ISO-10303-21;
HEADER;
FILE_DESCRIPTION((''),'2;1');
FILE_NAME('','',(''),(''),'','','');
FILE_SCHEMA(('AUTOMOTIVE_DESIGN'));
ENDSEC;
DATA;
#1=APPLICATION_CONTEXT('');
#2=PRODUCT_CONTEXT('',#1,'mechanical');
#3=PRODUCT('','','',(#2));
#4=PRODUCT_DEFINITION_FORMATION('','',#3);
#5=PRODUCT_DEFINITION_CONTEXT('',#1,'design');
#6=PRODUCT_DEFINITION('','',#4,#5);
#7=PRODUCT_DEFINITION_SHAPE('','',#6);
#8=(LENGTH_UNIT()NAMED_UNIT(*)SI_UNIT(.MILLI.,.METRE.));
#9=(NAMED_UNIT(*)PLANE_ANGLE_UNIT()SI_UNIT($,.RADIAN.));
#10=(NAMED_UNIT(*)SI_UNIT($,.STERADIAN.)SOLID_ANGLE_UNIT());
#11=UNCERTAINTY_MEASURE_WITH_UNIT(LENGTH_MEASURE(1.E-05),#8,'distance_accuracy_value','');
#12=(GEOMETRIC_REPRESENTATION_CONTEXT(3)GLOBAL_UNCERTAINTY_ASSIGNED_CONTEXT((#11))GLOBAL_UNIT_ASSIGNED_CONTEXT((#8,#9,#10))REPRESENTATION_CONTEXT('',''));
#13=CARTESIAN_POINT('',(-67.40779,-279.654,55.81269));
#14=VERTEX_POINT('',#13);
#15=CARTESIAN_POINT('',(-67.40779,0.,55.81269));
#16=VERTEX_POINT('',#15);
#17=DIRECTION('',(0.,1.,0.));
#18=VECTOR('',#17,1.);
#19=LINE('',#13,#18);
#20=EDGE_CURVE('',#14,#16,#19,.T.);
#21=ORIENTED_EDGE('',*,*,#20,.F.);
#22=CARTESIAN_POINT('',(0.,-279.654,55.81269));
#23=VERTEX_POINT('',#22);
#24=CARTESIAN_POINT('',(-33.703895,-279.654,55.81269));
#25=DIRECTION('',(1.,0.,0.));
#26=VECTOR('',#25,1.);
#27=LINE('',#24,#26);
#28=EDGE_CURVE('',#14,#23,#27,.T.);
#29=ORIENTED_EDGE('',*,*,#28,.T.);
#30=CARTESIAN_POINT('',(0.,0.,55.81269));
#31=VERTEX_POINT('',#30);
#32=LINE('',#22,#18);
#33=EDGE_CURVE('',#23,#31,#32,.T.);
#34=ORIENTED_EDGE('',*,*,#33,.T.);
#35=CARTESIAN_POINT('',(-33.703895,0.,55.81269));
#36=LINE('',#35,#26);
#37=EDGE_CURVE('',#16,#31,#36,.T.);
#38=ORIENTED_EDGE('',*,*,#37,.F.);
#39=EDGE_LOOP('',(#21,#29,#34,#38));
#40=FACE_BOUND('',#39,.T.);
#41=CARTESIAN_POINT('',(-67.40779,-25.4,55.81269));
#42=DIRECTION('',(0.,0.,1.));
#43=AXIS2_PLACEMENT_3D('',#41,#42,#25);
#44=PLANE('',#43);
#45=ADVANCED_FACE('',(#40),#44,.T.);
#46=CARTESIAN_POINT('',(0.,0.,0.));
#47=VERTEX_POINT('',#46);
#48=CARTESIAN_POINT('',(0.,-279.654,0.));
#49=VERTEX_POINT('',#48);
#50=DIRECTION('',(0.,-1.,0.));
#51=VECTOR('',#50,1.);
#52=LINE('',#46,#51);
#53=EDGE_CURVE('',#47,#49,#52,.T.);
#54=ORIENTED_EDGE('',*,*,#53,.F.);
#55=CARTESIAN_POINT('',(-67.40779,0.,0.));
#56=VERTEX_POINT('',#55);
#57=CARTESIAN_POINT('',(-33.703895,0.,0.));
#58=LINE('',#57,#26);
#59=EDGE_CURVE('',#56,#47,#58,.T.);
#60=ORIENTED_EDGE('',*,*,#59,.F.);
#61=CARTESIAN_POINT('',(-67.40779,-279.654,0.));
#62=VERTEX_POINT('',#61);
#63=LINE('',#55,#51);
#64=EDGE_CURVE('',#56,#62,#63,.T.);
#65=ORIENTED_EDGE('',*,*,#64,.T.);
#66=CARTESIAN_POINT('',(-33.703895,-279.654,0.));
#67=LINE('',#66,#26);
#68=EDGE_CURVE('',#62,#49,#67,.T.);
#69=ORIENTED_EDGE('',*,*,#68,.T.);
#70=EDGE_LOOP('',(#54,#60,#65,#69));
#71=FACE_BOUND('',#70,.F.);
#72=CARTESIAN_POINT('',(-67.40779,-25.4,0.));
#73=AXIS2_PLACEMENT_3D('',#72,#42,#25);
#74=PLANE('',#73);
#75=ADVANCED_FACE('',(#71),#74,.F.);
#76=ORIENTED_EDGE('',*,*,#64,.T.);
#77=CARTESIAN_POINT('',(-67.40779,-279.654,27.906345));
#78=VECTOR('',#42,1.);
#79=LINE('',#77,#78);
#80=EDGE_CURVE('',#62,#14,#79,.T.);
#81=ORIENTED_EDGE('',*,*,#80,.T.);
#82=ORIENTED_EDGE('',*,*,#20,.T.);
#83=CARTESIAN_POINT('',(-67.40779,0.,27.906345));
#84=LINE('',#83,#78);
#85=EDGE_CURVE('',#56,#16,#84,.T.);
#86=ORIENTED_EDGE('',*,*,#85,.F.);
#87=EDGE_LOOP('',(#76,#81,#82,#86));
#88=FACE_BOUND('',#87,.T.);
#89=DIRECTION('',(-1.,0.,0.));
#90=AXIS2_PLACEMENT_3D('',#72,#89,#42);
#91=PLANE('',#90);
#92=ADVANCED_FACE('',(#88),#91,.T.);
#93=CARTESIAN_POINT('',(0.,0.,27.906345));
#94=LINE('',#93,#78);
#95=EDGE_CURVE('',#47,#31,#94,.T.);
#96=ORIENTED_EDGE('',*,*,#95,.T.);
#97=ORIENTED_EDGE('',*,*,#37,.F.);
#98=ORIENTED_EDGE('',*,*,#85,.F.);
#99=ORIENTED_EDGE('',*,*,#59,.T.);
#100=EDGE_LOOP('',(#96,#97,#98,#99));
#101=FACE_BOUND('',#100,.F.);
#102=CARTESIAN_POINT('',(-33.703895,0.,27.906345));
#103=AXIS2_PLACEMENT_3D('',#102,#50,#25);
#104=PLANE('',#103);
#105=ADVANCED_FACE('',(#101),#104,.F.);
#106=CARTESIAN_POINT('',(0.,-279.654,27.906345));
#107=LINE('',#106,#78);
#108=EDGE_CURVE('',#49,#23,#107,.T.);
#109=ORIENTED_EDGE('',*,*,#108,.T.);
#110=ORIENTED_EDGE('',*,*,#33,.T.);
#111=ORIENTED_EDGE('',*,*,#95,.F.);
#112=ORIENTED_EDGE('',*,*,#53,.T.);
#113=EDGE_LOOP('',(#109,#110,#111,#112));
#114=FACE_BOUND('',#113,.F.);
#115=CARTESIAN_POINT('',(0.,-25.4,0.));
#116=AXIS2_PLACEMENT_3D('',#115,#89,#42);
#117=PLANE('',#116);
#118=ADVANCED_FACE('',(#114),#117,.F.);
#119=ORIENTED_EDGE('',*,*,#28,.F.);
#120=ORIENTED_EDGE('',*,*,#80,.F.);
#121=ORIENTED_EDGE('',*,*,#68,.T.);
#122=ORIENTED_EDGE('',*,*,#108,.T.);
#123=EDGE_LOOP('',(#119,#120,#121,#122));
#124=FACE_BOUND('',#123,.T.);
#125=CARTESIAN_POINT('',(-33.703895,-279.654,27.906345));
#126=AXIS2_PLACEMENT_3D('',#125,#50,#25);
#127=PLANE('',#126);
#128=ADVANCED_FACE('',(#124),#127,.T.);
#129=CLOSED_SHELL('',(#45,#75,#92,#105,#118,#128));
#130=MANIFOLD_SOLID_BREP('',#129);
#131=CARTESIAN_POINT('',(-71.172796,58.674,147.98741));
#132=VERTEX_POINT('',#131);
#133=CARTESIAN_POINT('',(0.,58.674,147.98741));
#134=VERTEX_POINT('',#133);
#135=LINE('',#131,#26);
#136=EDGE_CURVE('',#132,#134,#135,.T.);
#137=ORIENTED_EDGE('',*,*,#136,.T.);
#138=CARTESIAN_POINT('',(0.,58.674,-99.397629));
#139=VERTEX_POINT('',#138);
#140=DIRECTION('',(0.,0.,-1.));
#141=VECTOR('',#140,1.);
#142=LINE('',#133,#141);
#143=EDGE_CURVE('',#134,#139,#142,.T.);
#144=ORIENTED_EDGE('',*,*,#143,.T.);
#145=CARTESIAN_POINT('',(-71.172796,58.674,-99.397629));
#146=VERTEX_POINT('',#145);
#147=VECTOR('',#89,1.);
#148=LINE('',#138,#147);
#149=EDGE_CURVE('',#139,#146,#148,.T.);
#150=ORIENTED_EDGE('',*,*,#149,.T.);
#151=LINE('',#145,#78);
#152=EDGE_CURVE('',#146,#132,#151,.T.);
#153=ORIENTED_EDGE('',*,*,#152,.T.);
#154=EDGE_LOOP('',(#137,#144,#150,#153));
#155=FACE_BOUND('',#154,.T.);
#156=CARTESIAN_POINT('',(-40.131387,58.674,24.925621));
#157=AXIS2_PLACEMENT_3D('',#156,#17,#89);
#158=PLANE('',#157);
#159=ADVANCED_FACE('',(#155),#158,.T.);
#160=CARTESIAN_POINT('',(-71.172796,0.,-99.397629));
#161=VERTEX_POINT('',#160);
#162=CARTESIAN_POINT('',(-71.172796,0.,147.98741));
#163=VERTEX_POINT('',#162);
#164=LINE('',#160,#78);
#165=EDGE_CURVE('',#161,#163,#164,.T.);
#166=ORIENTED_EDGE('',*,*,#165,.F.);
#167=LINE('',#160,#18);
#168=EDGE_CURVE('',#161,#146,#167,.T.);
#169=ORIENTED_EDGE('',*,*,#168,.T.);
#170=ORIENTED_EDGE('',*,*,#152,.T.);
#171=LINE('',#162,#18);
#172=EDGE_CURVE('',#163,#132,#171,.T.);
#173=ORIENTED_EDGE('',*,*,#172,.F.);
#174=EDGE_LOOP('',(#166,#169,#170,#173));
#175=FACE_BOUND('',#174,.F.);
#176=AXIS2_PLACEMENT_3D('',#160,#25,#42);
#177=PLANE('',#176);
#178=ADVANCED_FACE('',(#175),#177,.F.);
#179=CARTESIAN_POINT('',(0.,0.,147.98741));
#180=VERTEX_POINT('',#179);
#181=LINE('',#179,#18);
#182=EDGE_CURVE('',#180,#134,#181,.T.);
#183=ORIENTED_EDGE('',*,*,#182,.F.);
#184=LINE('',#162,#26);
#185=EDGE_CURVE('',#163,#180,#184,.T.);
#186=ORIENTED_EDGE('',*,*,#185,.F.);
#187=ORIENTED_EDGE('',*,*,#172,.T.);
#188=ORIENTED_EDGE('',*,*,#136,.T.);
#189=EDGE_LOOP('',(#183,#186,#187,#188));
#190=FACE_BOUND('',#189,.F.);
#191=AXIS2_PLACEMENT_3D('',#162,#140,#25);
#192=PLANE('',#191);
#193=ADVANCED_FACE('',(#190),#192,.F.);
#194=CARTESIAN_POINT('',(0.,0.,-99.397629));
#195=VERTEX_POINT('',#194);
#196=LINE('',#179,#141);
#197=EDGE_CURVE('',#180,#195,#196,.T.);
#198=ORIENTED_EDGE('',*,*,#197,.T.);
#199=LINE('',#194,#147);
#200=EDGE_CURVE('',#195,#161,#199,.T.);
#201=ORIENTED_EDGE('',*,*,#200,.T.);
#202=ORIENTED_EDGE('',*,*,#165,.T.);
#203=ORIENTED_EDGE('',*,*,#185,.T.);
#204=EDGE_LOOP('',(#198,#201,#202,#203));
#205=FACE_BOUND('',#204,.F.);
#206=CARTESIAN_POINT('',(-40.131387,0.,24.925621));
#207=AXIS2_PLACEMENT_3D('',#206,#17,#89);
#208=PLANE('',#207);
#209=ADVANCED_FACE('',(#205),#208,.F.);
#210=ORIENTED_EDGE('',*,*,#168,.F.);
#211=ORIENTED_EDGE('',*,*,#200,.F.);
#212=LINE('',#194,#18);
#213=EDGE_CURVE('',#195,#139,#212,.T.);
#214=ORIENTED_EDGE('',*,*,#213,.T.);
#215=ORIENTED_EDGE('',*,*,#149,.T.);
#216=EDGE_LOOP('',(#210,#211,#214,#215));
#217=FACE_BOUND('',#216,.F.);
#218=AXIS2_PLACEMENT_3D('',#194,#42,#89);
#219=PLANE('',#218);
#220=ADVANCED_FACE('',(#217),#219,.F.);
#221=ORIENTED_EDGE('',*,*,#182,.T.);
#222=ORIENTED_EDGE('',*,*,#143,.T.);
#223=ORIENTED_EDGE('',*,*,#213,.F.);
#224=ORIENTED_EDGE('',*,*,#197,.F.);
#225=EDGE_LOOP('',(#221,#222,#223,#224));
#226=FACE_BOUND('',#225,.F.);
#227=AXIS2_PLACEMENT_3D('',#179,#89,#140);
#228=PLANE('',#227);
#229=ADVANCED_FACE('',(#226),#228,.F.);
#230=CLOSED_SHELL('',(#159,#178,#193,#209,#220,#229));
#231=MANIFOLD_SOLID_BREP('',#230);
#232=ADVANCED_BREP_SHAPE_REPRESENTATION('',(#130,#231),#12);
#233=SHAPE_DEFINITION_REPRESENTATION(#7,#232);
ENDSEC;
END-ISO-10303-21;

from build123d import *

# Parameters (mm, degrees)
F0_W      = 67.40779
F0_H      = 55.81269
F1_DEPTH  = 25.4
F1_FACE_W = 67.40779
F1_FACE_H = 55.81269
F2_DEPTH  = 254.254
F3_W      = 67.40779
F3_H      = 55.81269
F4_DEPTH  = 58.674


with BuildPart() as f1:
    # F0 (on Front) → F1 (new body)
    with BuildSketch(Plane.XZ):
        with Locations((-33.703895, 27.906345)):
            Rectangle(F0_W, F0_H)
    extrude(amount=F1_DEPTH)

    # F1_face (on face) → F2 (join)
    with BuildSketch(Plane(origin=(-33.703895, -25.4, 27.906345), x_dir=(1, 0, 0), z_dir=(0, -1, 0))):
        Rectangle(F1_FACE_W, F1_FACE_H)
    extrude(amount=F2_DEPTH)


with BuildPart() as f4:
    # F3 (on face) → F4 (new body)
    with BuildSketch(Plane(origin=(0, 0, 0), x_dir=(-1, 0, 0), z_dir=(0, 1, 0))):
        Polygon((71.172796, -99.397629), (71.172796, 147.98741), (0, 147.98741), (0, 55.81269), (67.40779, 55.81269), (67.40779, 0), (0, 0), (0, -99.397629), align=None)
        with Locations((33.703895, 27.906345)):
            Rectangle(F3_W, F3_H)
    extrude(amount=F4_DEPTH)


solid = Compound([f1.part, f4.part])
